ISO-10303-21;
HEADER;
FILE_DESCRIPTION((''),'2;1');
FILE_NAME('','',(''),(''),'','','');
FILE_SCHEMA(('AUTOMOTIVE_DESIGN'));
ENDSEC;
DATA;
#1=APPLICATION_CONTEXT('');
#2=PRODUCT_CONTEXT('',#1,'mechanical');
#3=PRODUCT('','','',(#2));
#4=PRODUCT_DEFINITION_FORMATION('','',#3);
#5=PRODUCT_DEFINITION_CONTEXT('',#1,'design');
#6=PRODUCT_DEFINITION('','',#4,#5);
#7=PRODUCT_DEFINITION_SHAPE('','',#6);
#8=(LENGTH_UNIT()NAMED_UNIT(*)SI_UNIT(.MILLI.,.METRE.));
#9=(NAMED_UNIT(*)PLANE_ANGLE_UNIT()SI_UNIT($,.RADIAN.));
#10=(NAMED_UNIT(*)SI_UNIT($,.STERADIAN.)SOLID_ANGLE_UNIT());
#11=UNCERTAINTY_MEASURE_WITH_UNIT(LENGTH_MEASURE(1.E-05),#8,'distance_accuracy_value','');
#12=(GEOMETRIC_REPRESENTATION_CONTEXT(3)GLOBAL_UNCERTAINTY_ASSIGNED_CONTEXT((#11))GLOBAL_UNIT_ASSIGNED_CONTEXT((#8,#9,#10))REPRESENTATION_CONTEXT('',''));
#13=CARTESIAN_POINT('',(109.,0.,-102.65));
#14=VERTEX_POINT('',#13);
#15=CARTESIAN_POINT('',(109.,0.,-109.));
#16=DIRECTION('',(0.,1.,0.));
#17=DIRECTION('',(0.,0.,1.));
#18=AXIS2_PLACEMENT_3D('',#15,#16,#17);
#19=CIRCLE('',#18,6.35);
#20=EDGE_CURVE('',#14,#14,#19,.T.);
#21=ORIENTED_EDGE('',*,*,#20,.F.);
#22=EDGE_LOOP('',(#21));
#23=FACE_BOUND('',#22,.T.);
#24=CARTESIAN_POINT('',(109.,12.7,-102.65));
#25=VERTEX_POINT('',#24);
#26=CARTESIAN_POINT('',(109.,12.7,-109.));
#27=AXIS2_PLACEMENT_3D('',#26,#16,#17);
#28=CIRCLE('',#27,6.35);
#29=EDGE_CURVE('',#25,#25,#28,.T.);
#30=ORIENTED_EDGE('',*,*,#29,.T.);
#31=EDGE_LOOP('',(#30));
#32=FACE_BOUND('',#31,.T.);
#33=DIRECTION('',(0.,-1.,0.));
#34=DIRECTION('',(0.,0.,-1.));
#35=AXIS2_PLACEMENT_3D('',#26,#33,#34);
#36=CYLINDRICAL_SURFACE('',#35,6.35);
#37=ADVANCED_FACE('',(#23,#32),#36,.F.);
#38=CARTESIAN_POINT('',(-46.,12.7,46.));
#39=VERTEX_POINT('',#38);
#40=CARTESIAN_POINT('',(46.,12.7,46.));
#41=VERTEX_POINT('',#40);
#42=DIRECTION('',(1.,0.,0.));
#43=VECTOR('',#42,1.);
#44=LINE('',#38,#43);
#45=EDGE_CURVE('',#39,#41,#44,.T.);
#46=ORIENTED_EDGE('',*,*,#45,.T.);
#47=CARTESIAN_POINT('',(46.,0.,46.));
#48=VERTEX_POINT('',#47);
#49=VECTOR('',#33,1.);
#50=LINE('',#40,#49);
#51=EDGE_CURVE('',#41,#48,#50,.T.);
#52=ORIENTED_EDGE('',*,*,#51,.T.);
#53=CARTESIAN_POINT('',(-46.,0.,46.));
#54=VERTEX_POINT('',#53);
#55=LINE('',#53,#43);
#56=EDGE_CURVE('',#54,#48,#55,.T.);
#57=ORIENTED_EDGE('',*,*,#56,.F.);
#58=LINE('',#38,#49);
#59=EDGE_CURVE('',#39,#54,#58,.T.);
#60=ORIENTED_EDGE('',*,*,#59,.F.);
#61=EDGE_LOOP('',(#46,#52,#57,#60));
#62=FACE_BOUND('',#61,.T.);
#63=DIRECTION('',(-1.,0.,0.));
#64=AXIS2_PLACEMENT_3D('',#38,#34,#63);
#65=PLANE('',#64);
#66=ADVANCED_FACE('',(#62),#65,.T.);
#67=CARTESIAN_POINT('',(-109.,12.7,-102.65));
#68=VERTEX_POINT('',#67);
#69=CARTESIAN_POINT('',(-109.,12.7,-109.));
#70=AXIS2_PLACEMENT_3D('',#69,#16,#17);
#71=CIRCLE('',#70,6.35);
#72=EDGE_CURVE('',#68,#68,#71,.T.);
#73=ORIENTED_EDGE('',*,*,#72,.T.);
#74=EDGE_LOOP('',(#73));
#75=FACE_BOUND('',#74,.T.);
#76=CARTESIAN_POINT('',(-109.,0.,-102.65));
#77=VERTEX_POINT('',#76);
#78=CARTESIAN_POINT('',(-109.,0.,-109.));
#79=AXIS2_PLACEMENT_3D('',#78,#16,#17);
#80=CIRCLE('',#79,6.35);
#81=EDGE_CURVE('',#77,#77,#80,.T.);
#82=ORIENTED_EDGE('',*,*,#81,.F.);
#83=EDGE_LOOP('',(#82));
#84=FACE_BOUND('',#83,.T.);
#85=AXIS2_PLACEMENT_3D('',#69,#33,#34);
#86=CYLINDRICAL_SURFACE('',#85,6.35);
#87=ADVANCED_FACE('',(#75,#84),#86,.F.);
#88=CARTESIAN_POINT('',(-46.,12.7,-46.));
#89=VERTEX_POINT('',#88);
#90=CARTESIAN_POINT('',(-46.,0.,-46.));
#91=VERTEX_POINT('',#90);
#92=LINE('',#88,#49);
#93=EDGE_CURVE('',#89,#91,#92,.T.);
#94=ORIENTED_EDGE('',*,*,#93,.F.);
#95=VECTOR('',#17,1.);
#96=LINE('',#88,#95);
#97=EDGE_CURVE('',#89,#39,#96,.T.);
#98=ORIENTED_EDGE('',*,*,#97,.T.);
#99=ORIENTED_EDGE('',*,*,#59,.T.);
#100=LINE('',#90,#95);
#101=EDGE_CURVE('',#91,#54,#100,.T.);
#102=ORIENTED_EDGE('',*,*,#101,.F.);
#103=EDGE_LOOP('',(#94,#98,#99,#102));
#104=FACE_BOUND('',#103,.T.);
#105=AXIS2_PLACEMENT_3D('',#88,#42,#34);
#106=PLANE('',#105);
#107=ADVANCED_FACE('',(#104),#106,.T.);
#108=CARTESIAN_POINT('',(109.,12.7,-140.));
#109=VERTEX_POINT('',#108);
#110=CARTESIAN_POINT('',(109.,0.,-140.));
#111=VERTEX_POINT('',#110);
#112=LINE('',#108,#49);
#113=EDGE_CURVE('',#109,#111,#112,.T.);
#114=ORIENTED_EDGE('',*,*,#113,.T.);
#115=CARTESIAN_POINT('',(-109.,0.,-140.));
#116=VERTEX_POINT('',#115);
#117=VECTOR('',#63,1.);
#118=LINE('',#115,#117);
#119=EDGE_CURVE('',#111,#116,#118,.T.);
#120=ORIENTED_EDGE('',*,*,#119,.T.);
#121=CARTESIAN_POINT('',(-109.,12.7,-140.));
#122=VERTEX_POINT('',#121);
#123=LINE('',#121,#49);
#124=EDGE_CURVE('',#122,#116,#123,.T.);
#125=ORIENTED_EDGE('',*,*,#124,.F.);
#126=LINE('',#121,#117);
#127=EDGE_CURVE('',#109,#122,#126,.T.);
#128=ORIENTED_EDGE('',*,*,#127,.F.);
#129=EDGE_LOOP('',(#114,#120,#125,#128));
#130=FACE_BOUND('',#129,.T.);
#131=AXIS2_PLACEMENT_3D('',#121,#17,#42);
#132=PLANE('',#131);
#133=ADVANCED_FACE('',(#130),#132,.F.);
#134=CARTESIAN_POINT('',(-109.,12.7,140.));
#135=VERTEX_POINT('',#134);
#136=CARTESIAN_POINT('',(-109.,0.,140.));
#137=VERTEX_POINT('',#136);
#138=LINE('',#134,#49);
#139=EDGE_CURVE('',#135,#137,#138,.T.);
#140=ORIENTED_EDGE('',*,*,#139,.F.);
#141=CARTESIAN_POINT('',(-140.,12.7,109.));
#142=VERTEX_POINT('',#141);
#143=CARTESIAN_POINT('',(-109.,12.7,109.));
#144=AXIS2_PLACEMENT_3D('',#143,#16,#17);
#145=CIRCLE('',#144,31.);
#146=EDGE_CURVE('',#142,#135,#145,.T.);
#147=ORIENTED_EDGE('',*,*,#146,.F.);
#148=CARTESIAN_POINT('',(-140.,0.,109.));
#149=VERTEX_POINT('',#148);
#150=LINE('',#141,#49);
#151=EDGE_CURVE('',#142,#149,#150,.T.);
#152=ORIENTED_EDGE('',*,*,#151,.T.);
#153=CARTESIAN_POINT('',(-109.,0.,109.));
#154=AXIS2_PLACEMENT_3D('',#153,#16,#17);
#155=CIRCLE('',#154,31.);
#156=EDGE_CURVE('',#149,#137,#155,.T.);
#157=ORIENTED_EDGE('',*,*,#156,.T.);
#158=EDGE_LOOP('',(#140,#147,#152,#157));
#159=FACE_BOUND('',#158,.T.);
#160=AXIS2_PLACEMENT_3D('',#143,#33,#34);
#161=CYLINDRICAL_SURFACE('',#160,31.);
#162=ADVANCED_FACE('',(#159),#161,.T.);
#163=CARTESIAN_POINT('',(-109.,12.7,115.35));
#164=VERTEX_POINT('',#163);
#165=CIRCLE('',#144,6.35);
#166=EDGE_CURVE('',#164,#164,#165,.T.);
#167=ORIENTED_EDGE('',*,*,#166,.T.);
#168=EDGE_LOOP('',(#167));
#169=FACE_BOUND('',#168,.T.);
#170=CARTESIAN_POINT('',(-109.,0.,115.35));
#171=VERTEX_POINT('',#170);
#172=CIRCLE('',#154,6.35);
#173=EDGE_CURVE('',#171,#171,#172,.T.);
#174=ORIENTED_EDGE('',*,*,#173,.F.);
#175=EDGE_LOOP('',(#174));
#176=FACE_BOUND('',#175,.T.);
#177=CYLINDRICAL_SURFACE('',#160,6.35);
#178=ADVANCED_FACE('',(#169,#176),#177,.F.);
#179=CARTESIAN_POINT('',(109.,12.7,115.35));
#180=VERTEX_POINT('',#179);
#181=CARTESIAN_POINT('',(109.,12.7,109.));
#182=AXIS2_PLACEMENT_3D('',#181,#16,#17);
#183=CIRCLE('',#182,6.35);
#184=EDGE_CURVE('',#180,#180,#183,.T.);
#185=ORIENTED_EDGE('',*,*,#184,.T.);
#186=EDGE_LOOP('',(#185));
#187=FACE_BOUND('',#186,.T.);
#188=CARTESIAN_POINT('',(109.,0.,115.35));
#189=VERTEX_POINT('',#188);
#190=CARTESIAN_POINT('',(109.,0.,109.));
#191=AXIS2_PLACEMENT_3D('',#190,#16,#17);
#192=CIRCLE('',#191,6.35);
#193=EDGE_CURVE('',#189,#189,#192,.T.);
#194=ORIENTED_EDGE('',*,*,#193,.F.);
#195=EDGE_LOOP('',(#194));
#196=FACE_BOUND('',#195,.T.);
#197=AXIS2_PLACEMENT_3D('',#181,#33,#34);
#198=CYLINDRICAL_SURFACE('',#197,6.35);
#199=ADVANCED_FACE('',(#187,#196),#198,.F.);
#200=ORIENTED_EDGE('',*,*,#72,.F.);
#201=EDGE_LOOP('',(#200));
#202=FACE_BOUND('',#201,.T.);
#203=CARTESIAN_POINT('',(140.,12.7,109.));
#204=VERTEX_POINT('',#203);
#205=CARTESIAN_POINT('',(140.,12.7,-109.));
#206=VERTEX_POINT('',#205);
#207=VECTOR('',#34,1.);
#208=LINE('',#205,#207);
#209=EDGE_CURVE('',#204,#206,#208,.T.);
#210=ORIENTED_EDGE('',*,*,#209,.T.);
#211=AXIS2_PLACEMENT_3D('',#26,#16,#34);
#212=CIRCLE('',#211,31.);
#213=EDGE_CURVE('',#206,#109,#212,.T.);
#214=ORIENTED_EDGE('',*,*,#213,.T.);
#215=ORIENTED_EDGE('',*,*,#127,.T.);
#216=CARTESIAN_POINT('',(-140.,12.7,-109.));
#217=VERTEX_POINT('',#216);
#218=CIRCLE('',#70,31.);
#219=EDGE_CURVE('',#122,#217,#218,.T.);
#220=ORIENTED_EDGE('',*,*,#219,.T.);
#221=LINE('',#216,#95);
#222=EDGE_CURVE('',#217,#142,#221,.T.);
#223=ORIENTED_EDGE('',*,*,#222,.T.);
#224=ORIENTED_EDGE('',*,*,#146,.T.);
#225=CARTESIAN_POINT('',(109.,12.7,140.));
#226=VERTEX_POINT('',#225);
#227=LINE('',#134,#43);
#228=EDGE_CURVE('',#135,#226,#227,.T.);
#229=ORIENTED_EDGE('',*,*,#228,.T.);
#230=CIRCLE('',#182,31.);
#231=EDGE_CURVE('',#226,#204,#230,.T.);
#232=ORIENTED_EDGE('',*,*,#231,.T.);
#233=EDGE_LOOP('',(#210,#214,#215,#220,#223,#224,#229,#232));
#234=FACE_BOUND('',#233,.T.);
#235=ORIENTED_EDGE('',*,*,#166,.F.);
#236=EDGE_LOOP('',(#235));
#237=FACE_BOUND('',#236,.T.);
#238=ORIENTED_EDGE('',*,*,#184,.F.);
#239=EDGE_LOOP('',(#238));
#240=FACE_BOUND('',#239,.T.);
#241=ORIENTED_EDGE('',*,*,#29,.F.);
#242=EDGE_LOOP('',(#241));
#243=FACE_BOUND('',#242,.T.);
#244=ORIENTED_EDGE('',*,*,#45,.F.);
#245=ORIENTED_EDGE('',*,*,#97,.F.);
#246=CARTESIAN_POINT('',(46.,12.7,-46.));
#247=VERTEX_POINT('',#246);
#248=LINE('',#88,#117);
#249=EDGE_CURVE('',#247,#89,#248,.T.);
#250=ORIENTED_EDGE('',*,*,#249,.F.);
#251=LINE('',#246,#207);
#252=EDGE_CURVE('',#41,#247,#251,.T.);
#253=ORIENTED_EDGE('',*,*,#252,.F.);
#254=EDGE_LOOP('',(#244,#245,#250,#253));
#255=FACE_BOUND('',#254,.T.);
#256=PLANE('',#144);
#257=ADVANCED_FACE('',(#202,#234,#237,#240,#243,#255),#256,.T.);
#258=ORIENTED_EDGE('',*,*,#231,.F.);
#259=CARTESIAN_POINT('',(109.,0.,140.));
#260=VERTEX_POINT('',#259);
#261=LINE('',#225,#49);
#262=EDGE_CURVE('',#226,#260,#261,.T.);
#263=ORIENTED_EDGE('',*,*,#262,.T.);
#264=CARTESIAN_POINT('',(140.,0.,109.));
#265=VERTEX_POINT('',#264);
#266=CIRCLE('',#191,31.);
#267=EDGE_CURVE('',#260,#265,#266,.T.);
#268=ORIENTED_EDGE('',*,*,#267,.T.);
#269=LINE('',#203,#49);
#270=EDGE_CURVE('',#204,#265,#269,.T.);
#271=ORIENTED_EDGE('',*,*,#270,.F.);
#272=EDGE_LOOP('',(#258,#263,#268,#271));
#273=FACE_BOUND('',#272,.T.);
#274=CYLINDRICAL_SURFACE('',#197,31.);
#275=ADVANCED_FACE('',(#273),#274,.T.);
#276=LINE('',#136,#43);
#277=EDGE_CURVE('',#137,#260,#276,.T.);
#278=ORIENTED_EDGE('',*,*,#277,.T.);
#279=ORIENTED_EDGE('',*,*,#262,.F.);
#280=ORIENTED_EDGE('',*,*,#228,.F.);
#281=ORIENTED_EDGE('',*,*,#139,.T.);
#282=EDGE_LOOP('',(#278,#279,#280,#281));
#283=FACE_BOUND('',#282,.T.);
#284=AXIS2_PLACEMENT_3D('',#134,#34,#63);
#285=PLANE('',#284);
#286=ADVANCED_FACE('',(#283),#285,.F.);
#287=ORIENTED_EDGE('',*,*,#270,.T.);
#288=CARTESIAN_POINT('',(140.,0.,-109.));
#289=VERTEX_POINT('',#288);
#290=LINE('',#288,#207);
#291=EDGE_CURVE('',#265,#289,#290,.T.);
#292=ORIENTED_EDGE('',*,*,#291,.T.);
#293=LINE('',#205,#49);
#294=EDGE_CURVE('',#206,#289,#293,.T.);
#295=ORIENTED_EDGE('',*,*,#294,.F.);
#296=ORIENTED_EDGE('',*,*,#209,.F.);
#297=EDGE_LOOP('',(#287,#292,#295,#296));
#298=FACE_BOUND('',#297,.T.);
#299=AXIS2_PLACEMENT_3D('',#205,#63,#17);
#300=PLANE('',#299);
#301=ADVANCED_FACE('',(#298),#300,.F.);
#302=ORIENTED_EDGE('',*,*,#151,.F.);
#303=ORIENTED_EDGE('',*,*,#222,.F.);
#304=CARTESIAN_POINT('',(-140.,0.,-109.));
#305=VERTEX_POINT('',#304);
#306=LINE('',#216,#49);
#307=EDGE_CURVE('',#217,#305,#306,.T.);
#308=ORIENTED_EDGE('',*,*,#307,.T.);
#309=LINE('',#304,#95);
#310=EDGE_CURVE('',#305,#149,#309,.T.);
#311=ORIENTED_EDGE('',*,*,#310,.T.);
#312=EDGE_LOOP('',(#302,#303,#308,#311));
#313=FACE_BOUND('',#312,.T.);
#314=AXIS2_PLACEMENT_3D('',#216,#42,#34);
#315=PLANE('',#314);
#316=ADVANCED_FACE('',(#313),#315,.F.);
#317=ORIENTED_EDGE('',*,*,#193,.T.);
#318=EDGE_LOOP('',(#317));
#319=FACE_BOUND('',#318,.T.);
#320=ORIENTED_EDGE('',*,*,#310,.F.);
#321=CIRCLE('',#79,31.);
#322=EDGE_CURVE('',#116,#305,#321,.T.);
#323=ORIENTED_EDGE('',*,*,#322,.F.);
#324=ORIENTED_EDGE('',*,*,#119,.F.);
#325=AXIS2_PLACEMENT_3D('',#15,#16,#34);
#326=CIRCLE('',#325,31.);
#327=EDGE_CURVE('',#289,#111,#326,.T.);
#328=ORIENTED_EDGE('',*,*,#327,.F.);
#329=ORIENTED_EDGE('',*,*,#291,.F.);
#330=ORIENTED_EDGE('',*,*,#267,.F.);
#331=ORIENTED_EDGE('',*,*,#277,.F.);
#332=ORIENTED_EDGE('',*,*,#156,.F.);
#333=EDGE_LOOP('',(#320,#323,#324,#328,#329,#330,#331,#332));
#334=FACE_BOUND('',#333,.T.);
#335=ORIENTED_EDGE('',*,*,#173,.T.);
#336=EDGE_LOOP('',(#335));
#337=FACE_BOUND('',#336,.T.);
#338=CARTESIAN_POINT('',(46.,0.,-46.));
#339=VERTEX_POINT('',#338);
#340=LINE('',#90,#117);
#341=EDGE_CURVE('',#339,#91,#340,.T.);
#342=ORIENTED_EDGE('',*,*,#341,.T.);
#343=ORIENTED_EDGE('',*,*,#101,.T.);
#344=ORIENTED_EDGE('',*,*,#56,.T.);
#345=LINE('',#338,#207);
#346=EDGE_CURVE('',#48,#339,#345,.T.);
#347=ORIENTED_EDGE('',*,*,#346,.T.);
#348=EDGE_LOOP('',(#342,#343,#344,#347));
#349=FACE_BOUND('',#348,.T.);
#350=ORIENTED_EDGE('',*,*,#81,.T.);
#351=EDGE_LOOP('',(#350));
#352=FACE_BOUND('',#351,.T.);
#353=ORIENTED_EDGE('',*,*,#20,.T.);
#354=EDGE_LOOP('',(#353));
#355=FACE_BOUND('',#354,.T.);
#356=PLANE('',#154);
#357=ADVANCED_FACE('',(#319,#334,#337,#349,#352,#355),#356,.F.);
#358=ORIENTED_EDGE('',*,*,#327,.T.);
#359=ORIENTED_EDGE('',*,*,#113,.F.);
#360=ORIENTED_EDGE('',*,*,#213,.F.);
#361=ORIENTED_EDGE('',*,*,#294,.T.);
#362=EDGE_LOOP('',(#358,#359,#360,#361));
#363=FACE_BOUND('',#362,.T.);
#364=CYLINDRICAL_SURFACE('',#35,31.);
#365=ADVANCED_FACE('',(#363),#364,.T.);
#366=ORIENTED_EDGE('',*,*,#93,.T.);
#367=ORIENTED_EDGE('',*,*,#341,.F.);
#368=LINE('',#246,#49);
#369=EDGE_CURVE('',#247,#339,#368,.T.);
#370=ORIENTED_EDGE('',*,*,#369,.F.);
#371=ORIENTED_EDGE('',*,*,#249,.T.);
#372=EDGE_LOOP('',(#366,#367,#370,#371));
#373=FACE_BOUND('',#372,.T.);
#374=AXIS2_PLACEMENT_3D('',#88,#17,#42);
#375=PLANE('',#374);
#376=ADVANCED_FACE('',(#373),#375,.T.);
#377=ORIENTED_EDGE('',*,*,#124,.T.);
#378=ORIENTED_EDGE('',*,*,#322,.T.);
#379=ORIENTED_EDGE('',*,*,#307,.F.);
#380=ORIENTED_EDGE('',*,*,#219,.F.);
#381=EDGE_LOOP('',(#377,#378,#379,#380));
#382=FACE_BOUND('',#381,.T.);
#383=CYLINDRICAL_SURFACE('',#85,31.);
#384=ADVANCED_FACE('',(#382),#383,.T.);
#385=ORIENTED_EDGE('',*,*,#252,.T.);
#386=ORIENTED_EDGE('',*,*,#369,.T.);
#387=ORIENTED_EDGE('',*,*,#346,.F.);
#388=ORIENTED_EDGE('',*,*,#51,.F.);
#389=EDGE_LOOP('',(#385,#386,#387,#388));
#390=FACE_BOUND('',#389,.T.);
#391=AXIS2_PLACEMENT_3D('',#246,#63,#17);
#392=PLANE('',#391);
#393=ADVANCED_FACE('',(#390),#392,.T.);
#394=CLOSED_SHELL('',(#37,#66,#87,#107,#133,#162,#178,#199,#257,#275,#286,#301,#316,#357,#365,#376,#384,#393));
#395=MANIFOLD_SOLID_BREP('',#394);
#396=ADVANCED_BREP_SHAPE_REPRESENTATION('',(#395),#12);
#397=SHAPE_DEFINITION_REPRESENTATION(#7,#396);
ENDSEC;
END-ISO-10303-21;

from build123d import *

# Parameters (mm, degrees)
CROQUIS1_R              = 6.35
CROQUIS1_W              = 92
CROQUIS1_H              = 92
SALIENTE_EXTRUIR1_DEPTH = 12.7


with BuildPart() as part:
    # Croquis1 → Saliente-Extruir1 (new body)
    with BuildSketch(Plane(origin=(0, 0, 0), x_dir=(1, 0, 0), z_dir=(0, 1, 0))):
        with BuildLine():
            Line((-109, 140), (109, 140))
            ThreePointArc((109, 140), (130.920310217, 130.920310217), (140, 109))
            Line((140, 109), (140, -109))
            ThreePointArc((140, -109), (130.920310217, -130.920310217), (109, -140))
            Line((109, -140), (-109, -140))
            ThreePointArc((-109, -140), (-130.920310217, -130.920310217), (-140, -109))
            Line((-140, -109), (-140, 109))
            ThreePointArc((-140, 109), (-130.920310217, 130.920310217), (-109, 140))
        make_face()
        with Locations((-109, -109)):
            Circle(CROQUIS1_R, mode=Mode.SUBTRACT)
        with Locations((-109, 109)):
            Circle(CROQUIS1_R, mode=Mode.SUBTRACT)
        with Locations((109, 109)):
            Circle(CROQUIS1_R, mode=Mode.SUBTRACT)
        with Locations((109, -109)):
            Circle(CROQUIS1_R, mode=Mode.SUBTRACT)
        Rectangle(CROQUIS1_W, CROQUIS1_H, mode=Mode.SUBTRACT)
    extrude(amount=SALIENTE_EXTRUIR1_DEPTH)


solid = part.part
